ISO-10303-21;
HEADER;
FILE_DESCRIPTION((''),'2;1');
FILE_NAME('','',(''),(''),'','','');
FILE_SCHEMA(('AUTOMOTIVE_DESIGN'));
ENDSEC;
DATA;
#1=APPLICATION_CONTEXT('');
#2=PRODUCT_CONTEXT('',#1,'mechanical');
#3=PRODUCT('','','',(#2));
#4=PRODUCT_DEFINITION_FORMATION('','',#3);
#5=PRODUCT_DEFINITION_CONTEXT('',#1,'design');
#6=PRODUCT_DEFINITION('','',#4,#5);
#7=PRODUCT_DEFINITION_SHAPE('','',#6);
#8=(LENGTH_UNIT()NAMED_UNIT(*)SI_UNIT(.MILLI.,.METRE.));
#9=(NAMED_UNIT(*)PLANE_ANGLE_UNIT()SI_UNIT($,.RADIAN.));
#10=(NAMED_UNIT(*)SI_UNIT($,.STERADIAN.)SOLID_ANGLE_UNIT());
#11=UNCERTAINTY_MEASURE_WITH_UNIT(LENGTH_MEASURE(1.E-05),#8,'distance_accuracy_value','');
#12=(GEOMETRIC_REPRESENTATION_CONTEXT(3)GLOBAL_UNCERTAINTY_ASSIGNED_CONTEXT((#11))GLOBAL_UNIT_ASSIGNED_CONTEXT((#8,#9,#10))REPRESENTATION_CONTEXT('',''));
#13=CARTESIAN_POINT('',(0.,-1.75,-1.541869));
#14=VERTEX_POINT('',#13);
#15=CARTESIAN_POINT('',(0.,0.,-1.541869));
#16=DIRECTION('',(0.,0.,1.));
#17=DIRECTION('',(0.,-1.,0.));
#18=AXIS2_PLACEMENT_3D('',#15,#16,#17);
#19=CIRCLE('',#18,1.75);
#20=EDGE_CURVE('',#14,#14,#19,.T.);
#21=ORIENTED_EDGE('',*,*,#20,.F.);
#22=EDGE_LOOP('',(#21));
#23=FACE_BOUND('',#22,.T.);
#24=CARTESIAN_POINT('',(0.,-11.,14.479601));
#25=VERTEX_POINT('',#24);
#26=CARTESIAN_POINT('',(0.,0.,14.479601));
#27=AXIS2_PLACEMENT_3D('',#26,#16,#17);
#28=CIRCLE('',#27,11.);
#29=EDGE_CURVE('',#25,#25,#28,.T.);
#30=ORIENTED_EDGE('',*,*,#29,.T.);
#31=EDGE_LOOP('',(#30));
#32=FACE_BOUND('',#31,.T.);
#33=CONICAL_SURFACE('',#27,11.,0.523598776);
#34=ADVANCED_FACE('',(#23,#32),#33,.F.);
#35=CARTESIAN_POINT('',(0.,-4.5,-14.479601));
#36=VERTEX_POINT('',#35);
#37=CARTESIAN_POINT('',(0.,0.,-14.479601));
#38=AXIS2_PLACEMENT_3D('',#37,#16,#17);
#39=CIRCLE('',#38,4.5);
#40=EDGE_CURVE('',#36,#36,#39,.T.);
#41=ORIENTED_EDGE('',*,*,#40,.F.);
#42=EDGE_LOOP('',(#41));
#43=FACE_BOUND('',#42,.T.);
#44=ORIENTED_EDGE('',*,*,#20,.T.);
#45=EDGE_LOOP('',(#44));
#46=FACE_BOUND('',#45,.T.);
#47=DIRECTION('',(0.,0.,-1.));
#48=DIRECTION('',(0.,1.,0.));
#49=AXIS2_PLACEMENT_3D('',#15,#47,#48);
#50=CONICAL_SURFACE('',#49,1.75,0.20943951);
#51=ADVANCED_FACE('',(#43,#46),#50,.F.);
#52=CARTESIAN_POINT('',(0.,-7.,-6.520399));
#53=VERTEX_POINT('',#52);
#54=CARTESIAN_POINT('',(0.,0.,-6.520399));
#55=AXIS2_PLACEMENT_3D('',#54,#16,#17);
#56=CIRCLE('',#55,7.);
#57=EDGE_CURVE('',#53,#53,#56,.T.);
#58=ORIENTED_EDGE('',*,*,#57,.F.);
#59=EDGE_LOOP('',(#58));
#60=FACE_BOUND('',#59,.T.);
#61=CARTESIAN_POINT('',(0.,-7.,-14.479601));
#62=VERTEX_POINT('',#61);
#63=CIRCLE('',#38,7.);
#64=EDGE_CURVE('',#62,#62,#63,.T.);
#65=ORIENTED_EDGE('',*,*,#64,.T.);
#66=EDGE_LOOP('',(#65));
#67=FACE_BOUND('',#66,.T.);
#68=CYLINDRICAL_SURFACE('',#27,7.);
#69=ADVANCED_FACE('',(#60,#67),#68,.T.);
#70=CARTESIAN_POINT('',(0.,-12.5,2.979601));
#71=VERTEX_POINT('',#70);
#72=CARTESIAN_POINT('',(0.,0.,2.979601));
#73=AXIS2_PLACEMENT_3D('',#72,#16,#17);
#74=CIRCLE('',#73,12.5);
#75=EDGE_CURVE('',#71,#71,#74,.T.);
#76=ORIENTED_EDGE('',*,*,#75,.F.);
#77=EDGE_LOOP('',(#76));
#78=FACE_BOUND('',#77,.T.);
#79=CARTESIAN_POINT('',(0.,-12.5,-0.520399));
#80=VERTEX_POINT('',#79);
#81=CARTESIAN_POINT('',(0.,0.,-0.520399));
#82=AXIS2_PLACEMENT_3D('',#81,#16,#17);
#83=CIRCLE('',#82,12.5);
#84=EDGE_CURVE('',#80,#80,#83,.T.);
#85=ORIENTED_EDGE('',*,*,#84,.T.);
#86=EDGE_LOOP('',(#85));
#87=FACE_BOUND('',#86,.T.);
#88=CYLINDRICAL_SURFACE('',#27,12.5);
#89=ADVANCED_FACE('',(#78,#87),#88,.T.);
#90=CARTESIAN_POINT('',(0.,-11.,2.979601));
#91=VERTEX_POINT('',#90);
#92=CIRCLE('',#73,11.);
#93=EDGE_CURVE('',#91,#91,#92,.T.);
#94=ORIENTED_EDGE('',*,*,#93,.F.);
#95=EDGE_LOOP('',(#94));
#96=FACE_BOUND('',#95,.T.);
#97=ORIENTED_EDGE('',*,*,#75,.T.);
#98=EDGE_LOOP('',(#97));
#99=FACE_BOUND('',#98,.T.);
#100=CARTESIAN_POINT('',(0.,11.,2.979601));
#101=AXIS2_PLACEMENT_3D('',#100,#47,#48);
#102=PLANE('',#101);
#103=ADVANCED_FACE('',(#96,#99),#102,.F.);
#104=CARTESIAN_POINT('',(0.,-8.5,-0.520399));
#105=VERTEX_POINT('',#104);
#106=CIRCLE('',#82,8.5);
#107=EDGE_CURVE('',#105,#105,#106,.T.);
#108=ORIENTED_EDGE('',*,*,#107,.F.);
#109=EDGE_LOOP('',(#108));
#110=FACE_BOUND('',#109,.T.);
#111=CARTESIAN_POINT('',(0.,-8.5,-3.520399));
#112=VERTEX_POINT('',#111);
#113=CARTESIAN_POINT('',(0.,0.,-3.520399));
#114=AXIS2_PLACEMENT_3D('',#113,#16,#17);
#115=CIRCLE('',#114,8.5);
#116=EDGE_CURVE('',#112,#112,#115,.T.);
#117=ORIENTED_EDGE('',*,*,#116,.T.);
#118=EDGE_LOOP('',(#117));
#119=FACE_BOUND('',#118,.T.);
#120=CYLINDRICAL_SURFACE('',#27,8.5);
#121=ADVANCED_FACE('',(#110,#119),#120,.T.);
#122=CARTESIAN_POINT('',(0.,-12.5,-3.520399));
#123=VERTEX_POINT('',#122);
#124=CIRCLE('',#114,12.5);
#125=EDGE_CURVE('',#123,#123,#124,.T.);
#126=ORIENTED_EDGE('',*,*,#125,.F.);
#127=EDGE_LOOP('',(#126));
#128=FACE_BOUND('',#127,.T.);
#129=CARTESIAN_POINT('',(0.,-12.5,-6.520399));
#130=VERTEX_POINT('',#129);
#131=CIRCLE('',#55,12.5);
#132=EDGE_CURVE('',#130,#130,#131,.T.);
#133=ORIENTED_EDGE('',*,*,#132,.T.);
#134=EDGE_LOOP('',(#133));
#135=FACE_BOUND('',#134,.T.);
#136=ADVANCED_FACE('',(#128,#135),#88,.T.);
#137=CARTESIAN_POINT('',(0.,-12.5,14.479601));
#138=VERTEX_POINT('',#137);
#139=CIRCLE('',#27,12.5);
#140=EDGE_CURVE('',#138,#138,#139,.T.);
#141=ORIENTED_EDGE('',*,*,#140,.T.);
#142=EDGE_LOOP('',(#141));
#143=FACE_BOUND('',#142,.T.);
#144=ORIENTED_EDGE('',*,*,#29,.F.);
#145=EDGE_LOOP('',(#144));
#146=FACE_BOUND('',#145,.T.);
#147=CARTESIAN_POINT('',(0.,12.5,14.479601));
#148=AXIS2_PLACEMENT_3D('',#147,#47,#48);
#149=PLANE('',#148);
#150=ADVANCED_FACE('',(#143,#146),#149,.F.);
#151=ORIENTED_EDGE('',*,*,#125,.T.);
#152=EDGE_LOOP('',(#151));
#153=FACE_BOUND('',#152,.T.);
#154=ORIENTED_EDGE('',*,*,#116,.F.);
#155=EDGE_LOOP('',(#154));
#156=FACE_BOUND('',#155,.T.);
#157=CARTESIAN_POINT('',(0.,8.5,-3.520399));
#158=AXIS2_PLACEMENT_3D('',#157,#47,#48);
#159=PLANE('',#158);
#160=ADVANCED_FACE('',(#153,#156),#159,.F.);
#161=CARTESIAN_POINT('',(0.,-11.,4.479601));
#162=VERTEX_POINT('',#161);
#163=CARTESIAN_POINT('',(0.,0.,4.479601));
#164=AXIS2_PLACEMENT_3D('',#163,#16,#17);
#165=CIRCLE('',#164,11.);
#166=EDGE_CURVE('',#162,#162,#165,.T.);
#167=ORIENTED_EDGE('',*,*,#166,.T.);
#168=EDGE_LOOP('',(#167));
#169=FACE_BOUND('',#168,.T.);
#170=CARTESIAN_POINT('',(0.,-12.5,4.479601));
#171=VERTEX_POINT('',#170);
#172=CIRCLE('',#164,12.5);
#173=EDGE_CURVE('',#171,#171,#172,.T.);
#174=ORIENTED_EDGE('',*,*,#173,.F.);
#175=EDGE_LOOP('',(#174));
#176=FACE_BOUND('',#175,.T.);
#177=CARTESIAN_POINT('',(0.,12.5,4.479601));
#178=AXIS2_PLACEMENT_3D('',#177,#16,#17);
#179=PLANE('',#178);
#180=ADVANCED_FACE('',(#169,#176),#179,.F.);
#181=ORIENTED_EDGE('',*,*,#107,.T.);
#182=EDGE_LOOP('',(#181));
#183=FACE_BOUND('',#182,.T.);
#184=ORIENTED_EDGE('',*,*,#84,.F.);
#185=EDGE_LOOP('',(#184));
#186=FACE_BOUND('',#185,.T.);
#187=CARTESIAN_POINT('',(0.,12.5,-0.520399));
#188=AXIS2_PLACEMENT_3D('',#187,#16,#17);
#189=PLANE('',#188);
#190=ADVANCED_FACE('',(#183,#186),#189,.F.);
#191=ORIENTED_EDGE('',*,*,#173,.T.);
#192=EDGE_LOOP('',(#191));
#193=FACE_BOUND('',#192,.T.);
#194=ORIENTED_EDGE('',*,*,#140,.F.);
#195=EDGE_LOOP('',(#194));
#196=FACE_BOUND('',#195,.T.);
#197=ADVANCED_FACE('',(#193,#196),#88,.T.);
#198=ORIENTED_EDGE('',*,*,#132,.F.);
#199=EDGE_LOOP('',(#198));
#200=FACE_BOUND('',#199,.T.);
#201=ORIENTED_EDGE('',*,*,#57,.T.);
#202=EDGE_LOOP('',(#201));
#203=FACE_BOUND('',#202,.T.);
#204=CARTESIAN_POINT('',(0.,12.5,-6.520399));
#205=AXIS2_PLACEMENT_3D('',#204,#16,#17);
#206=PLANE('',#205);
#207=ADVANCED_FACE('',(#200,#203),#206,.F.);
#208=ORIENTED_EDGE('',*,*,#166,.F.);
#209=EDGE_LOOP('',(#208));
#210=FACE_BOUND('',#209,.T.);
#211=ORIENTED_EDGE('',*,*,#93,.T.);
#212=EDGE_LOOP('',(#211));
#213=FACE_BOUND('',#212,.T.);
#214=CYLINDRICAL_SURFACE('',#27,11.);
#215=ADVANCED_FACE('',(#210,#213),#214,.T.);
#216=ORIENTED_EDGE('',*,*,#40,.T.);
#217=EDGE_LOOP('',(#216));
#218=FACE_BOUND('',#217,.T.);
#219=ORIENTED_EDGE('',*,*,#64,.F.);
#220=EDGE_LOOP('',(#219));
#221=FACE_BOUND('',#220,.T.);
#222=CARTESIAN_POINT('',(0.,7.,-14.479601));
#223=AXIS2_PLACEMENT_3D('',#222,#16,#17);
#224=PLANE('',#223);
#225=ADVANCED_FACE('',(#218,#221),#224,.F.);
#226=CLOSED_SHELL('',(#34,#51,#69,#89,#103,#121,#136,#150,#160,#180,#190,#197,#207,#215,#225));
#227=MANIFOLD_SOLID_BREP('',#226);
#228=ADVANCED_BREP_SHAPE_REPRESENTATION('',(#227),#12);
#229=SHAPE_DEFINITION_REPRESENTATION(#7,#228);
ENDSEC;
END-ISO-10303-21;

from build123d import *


with BuildPart() as part:
    # Esquisse1 → Révolution1 (revolve)
    with BuildSketch(Plane(origin=(0, 0, 0), x_dir=(0, 0, -1), z_dir=(1, 0, 0))):
        Polygon((-14.479601386, 12.5), (-4.479601386, 12.5), (-4.479601386, 11), (-2.979601386, 11), (-2.979601386, 12.5), (0.520398614, 12.5), (0.520398614, 8.5), (3.520398614, 8.5), (3.520398614, 12.5), (6.520398614, 12.5), (6.520398614, 7), (14.479601386, 7), (14.479601386, 4.5), (1.541868584, 1.75), (-14.479601386, 11), align=None)
    revolve(axis=Axis((0, 0, 14.479601386), (0, 0, -1)))


solid = part.part
